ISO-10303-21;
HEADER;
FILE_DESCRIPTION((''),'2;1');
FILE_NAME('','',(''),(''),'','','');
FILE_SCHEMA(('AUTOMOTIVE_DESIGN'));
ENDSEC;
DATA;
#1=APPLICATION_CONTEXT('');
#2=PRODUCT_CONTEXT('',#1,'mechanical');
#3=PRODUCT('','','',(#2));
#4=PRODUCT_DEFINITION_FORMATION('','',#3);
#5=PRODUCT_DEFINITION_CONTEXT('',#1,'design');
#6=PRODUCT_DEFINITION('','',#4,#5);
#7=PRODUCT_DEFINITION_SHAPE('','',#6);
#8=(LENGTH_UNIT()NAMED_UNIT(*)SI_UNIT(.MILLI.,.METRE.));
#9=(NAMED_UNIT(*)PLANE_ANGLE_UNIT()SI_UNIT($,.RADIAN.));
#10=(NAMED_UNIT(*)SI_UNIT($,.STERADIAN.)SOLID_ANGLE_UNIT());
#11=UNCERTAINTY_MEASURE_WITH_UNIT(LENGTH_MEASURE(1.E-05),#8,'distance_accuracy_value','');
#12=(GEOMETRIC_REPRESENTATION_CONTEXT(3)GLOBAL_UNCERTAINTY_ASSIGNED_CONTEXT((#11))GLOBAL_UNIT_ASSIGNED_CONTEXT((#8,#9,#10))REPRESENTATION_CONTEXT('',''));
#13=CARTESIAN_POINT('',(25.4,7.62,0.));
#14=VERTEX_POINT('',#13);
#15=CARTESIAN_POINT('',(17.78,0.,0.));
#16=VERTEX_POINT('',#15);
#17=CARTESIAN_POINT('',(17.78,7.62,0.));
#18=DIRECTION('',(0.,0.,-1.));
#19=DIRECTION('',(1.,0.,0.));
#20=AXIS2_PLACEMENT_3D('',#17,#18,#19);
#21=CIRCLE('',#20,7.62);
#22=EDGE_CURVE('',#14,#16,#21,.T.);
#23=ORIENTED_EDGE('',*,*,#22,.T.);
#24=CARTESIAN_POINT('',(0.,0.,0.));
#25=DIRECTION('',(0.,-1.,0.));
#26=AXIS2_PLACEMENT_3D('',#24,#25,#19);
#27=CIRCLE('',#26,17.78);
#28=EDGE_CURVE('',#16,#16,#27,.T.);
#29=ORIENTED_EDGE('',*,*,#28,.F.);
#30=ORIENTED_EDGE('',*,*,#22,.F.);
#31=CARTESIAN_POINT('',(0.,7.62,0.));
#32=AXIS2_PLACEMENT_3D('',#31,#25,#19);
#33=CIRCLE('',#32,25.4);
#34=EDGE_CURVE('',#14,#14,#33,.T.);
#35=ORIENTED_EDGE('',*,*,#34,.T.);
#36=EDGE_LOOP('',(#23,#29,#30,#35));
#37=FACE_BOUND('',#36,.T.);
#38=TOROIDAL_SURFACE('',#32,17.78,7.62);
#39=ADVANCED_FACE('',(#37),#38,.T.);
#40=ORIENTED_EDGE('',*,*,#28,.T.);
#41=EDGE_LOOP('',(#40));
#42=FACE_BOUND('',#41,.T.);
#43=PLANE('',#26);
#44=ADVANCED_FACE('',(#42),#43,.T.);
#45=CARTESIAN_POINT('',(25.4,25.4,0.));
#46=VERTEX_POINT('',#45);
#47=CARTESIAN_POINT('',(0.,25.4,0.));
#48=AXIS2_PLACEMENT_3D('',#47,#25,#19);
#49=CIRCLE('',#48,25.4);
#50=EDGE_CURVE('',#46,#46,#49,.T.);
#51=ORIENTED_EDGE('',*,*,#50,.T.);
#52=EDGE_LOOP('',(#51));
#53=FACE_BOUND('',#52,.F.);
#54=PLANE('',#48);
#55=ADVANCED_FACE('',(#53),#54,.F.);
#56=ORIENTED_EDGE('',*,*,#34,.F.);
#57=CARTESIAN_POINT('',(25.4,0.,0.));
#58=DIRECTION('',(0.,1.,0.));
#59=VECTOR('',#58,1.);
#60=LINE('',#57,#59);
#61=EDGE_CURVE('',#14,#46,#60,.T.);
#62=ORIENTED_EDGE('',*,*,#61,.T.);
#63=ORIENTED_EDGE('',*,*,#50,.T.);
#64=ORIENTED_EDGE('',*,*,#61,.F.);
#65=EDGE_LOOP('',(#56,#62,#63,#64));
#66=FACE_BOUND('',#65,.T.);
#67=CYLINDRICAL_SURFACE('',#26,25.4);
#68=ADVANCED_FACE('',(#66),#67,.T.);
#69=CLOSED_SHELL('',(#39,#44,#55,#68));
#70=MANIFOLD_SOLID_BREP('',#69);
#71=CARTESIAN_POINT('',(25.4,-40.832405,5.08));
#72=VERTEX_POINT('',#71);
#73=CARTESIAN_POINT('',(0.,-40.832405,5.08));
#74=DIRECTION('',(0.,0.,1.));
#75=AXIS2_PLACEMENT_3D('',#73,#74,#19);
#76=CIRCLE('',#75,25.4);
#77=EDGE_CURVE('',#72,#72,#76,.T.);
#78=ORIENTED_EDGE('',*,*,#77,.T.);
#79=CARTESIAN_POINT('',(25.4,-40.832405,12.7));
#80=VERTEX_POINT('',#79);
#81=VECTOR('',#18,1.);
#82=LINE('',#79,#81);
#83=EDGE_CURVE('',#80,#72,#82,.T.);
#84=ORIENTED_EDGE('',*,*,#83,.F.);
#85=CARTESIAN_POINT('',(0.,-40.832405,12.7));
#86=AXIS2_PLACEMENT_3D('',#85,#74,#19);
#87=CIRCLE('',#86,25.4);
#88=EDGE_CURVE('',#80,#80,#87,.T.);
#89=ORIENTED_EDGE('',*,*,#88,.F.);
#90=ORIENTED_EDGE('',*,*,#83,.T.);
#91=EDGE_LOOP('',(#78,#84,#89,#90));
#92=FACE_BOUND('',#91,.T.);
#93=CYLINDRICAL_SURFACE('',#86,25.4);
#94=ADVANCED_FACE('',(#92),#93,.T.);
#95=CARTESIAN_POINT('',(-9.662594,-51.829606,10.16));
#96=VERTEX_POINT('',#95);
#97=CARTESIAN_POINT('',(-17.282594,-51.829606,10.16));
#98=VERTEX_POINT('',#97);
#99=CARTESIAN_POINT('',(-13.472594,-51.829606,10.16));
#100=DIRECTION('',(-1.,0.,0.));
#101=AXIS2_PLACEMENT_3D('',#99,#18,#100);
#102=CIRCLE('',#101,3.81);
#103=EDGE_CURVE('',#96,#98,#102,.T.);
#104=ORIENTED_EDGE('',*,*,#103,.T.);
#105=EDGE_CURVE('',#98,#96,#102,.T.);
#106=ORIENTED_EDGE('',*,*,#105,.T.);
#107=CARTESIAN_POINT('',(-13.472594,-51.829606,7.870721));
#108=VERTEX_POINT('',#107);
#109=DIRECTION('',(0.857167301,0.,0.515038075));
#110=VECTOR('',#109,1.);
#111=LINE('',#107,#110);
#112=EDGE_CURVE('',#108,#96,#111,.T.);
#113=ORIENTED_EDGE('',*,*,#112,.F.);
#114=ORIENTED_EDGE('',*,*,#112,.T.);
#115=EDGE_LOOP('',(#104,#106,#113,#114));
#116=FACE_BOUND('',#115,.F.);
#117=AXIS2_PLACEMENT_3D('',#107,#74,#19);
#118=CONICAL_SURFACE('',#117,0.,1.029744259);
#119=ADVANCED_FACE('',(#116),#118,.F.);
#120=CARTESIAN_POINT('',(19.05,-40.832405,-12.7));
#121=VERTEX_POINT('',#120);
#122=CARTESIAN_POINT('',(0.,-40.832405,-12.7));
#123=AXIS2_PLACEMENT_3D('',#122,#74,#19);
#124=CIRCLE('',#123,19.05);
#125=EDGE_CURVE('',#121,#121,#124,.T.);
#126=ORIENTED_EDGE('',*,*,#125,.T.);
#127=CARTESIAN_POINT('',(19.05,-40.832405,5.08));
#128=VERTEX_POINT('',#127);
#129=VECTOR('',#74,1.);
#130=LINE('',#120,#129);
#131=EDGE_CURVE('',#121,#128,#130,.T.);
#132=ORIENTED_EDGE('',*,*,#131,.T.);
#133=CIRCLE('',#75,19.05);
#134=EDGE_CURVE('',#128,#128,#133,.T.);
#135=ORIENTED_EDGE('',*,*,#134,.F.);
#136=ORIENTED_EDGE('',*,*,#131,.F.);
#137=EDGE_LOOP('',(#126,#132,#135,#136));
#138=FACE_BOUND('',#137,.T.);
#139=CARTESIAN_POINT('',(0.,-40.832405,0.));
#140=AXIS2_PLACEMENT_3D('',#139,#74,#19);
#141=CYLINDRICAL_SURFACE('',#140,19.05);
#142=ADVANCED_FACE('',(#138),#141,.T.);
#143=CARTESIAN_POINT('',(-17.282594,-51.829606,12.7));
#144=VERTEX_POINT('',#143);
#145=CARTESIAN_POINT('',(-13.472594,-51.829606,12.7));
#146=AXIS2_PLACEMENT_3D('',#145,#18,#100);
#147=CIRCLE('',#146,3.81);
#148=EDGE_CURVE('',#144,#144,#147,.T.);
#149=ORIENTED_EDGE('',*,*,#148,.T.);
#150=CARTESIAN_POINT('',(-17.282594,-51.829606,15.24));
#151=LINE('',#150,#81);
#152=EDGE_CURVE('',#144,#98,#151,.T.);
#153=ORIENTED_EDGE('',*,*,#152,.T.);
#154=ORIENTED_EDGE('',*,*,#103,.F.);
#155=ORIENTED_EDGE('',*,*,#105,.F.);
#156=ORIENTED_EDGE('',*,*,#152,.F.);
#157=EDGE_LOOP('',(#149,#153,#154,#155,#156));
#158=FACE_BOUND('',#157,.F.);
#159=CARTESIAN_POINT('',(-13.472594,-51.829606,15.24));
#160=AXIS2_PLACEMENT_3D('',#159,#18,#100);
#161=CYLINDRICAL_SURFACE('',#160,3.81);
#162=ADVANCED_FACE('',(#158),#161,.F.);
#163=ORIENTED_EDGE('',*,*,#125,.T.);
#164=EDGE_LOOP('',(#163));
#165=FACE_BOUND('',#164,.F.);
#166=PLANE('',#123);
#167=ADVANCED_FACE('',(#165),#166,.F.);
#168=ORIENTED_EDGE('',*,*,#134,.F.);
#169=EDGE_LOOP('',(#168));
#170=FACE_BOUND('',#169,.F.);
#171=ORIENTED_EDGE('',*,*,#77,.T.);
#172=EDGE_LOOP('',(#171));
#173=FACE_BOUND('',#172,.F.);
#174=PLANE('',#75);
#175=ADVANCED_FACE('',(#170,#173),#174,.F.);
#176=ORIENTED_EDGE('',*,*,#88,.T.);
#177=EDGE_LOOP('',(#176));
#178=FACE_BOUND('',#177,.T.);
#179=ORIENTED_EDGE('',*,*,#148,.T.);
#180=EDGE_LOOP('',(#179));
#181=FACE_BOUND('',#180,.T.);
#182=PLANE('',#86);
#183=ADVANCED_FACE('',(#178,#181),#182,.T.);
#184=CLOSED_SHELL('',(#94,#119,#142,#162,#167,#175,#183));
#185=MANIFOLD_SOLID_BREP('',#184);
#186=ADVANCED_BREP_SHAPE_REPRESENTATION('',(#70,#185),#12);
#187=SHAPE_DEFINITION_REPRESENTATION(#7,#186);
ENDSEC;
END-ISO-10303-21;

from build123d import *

# Parameters (mm, degrees)
F0_R     = 25.4
F1_DEPTH = 25.4
F2_R     = 7.62
F3_R     = 19.05
F4_DEPTH = 12.7
F5_R     = 25.4
F5_R_2   = 19.05
F6_DEPTH = 7.62
F8_D     = 7.62
F8_DEPTH = 2.54
F8_TIP   = 2.2892789585


with BuildPart() as f1:
    # F0 (on Front) → F1 (new body)
    with BuildSketch(Plane.XZ):
        Circle(F0_R)
    extrude(amount=-F1_DEPTH)

    # F2
    f2_edges = [f1.edges().sort_by_distance(p)[0] for p in [
        (-25.4, 0, 0),
    ]]
    fillet(f2_edges, radius=F2_R)


with BuildPart() as f4:
    # F3 (on Top) → F4 (new body, symmetric)
    with BuildSketch(Plane.XY):
        with Locations((0, -40.8324053059)):
            Circle(F3_R)
    extrude(amount=F4_DEPTH, both=True)

    # F5 (on face) → F6 (join)
    with BuildSketch(Plane.XY.offset(12.7)):
        with Locations((0, -40.8324053059)):
            Circle(F5_R)
        with Locations((0, -40.8324053059)):
            Circle(F5_R_2, mode=Mode.SUBTRACT)
    extrude(amount=-F6_DEPTH)

    # F8
    with Locations(Plane.XY.offset(12.7)):
        with Locations((-13.4725943208, -51.8296062946)):
            Hole(F8_D / 2, depth=F8_DEPTH)
            with Locations((0, 0, -(F8_DEPTH + F8_TIP / 2))):  # 118° drill point
                Cone(0, F8_D / 2, F8_TIP, mode=Mode.SUBTRACT)


solid = Compound([f1.part, f4.part])
